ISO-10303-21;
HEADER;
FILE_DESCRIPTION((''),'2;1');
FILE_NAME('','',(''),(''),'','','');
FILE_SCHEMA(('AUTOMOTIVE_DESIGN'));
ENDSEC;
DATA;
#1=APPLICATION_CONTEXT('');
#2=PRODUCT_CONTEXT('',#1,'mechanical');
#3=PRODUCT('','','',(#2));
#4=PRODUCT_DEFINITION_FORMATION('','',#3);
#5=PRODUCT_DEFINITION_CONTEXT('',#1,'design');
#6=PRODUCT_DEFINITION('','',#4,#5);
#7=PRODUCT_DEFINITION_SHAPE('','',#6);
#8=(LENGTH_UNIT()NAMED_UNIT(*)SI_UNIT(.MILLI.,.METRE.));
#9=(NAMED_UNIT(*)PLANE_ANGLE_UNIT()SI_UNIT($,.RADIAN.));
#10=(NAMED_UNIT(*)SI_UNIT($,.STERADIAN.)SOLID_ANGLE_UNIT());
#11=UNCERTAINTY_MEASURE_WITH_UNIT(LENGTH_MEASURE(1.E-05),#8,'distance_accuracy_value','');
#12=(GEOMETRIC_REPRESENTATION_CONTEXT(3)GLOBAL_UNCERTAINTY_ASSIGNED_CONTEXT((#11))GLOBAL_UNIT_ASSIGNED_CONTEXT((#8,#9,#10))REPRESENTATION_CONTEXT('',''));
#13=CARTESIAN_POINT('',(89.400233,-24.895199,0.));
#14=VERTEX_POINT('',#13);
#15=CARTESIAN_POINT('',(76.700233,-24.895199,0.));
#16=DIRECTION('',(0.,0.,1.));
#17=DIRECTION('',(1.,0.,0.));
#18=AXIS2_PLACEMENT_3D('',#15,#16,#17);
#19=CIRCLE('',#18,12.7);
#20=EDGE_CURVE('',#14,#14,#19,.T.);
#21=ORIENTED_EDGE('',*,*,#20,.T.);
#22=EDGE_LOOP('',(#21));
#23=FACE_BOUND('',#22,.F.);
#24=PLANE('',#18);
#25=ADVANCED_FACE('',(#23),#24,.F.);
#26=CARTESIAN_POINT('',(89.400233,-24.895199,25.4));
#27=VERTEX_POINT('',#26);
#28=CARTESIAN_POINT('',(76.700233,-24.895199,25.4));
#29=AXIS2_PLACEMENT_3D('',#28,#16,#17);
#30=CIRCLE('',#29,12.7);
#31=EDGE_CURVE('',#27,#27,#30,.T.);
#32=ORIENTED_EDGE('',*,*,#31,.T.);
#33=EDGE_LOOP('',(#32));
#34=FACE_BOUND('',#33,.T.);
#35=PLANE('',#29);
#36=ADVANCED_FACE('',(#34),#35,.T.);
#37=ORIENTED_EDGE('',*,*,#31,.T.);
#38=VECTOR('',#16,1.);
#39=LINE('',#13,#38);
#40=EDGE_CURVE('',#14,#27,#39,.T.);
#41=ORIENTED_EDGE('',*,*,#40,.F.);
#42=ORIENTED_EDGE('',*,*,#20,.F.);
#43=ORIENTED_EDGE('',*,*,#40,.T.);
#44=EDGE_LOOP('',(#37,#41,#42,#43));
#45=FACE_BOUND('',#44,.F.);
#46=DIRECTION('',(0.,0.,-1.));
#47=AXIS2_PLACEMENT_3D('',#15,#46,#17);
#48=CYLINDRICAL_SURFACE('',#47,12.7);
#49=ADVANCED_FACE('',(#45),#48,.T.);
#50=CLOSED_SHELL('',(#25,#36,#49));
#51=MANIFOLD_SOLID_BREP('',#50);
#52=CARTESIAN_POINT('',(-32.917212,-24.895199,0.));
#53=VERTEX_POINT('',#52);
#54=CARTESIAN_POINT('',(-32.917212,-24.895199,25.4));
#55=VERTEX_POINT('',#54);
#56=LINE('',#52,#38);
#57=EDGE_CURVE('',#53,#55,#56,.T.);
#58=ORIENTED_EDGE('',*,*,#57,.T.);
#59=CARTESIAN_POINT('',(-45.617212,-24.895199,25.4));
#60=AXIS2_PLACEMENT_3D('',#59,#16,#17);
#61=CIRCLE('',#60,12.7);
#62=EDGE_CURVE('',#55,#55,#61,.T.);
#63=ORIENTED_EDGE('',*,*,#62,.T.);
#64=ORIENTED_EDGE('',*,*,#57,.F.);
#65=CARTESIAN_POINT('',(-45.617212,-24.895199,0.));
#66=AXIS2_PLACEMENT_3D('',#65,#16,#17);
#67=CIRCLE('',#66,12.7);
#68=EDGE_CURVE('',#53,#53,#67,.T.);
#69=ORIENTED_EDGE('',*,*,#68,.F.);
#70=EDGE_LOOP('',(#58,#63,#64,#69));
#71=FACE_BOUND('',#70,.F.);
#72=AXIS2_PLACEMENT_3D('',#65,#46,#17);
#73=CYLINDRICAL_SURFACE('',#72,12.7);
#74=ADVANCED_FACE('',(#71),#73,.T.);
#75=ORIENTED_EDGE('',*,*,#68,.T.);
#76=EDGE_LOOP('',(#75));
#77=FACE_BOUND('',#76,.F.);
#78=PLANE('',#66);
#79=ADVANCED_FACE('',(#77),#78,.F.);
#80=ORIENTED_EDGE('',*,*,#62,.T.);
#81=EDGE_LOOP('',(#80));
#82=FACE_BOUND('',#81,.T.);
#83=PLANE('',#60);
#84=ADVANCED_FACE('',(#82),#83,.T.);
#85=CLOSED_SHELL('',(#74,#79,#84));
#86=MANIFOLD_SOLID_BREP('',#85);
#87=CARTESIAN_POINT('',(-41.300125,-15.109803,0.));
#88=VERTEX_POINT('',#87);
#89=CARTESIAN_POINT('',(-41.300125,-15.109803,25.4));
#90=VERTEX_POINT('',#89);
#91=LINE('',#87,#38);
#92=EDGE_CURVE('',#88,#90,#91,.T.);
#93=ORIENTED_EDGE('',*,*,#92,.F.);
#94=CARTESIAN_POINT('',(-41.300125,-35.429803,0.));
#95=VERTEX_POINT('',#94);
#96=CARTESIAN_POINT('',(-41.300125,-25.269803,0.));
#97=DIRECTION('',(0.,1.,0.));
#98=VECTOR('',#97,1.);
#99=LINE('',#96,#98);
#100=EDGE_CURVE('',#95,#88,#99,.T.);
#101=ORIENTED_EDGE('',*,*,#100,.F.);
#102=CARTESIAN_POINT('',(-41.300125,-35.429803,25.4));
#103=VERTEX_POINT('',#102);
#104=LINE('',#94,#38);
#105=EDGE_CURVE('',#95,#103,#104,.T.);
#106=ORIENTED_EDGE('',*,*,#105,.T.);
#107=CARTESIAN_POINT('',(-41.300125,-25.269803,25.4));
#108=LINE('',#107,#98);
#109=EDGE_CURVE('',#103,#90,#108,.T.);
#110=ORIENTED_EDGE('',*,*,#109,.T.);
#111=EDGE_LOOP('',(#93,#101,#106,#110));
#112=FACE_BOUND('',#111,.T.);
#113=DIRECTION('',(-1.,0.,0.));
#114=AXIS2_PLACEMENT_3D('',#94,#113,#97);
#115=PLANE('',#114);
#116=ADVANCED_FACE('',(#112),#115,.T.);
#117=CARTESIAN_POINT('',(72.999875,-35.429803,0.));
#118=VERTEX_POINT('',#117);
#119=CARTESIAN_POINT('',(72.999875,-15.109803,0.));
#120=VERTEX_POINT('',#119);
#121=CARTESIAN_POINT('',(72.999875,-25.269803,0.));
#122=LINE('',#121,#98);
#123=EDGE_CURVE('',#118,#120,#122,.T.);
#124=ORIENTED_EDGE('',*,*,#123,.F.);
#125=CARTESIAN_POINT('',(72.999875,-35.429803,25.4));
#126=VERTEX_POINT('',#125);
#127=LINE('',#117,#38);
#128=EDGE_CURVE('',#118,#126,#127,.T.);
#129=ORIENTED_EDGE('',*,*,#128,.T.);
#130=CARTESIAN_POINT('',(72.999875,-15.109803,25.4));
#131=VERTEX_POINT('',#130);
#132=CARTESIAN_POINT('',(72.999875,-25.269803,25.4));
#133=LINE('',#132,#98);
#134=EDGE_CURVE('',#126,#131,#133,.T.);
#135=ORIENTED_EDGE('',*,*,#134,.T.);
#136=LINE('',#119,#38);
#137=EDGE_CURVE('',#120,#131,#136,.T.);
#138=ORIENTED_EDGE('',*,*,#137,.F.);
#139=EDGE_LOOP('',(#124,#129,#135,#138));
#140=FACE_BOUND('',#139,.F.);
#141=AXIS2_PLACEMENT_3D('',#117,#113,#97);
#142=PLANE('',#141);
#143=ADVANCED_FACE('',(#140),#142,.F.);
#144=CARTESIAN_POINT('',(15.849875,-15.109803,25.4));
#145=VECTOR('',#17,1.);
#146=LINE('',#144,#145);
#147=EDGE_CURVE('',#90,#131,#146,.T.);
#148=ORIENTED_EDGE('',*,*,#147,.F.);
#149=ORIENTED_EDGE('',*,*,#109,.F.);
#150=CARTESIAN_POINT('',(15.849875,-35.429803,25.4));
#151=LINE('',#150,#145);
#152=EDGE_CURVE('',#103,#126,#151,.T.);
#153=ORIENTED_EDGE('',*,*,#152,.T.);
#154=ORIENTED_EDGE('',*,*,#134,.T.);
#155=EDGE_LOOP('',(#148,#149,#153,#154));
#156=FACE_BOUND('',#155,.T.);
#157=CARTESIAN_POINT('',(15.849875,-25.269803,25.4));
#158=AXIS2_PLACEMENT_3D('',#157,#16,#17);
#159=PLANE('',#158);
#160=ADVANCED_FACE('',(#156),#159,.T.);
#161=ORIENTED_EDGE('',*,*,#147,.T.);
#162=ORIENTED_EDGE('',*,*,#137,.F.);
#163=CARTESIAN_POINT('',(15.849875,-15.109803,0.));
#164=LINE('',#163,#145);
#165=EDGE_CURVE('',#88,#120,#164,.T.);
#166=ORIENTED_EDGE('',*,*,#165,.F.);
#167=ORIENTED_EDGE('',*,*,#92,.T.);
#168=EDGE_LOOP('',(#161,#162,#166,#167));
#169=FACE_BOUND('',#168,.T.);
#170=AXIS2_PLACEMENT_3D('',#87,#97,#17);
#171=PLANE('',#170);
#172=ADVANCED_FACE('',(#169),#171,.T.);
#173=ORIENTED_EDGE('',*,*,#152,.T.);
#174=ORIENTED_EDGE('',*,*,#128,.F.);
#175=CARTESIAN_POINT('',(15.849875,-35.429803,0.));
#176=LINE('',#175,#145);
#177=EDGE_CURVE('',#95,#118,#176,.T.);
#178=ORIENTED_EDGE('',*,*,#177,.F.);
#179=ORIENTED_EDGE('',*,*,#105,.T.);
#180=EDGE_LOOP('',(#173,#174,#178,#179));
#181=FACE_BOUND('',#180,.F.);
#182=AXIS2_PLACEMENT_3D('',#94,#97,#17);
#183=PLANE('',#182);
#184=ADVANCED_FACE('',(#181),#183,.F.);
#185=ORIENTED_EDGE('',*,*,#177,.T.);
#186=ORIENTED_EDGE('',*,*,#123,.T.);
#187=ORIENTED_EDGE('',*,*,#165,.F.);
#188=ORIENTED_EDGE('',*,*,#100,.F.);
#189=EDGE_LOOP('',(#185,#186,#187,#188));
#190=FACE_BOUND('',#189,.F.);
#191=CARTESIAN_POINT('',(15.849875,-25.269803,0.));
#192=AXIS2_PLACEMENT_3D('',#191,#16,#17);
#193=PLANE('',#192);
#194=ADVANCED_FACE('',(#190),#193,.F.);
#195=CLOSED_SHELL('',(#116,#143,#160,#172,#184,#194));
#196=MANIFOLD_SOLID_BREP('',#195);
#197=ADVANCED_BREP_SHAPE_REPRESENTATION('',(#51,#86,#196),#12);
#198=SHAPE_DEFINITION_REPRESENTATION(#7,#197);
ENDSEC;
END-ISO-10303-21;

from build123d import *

# Parameters (mm, degrees)
F1_R     = 12.7
F2_DEPTH = 25.4
F0_W     = 114.3
F0_H     = 20.32


with BuildPart() as f2:
    # F1 (on Top) → F2 (new body)
    with BuildSketch(Plane.XY):
        with Locations((-45.6172116101, -24.8951986432)):
            Circle(F1_R)
    extrude(amount=F2_DEPTH)


with BuildPart() as f2b:
    # F1 (on Top) → F2, piece 2 (new body)
    with BuildSketch(Plane.XY):
        with Locations((76.700232923, -24.8951986432)):
            Circle(F1_R)
    extrude(amount=F2_DEPTH)


with BuildPart() as f2c:
    # F0 (on Top) → F2, piece 3 (new body)
    with BuildSketch(Plane.XY):
        with Locations((15.8498745799, -25.2698025963)):
            Rectangle(F0_W, F0_H)
    extrude(amount=F2_DEPTH)


solid = Compound([f2.part, f2b.part, f2c.part])
